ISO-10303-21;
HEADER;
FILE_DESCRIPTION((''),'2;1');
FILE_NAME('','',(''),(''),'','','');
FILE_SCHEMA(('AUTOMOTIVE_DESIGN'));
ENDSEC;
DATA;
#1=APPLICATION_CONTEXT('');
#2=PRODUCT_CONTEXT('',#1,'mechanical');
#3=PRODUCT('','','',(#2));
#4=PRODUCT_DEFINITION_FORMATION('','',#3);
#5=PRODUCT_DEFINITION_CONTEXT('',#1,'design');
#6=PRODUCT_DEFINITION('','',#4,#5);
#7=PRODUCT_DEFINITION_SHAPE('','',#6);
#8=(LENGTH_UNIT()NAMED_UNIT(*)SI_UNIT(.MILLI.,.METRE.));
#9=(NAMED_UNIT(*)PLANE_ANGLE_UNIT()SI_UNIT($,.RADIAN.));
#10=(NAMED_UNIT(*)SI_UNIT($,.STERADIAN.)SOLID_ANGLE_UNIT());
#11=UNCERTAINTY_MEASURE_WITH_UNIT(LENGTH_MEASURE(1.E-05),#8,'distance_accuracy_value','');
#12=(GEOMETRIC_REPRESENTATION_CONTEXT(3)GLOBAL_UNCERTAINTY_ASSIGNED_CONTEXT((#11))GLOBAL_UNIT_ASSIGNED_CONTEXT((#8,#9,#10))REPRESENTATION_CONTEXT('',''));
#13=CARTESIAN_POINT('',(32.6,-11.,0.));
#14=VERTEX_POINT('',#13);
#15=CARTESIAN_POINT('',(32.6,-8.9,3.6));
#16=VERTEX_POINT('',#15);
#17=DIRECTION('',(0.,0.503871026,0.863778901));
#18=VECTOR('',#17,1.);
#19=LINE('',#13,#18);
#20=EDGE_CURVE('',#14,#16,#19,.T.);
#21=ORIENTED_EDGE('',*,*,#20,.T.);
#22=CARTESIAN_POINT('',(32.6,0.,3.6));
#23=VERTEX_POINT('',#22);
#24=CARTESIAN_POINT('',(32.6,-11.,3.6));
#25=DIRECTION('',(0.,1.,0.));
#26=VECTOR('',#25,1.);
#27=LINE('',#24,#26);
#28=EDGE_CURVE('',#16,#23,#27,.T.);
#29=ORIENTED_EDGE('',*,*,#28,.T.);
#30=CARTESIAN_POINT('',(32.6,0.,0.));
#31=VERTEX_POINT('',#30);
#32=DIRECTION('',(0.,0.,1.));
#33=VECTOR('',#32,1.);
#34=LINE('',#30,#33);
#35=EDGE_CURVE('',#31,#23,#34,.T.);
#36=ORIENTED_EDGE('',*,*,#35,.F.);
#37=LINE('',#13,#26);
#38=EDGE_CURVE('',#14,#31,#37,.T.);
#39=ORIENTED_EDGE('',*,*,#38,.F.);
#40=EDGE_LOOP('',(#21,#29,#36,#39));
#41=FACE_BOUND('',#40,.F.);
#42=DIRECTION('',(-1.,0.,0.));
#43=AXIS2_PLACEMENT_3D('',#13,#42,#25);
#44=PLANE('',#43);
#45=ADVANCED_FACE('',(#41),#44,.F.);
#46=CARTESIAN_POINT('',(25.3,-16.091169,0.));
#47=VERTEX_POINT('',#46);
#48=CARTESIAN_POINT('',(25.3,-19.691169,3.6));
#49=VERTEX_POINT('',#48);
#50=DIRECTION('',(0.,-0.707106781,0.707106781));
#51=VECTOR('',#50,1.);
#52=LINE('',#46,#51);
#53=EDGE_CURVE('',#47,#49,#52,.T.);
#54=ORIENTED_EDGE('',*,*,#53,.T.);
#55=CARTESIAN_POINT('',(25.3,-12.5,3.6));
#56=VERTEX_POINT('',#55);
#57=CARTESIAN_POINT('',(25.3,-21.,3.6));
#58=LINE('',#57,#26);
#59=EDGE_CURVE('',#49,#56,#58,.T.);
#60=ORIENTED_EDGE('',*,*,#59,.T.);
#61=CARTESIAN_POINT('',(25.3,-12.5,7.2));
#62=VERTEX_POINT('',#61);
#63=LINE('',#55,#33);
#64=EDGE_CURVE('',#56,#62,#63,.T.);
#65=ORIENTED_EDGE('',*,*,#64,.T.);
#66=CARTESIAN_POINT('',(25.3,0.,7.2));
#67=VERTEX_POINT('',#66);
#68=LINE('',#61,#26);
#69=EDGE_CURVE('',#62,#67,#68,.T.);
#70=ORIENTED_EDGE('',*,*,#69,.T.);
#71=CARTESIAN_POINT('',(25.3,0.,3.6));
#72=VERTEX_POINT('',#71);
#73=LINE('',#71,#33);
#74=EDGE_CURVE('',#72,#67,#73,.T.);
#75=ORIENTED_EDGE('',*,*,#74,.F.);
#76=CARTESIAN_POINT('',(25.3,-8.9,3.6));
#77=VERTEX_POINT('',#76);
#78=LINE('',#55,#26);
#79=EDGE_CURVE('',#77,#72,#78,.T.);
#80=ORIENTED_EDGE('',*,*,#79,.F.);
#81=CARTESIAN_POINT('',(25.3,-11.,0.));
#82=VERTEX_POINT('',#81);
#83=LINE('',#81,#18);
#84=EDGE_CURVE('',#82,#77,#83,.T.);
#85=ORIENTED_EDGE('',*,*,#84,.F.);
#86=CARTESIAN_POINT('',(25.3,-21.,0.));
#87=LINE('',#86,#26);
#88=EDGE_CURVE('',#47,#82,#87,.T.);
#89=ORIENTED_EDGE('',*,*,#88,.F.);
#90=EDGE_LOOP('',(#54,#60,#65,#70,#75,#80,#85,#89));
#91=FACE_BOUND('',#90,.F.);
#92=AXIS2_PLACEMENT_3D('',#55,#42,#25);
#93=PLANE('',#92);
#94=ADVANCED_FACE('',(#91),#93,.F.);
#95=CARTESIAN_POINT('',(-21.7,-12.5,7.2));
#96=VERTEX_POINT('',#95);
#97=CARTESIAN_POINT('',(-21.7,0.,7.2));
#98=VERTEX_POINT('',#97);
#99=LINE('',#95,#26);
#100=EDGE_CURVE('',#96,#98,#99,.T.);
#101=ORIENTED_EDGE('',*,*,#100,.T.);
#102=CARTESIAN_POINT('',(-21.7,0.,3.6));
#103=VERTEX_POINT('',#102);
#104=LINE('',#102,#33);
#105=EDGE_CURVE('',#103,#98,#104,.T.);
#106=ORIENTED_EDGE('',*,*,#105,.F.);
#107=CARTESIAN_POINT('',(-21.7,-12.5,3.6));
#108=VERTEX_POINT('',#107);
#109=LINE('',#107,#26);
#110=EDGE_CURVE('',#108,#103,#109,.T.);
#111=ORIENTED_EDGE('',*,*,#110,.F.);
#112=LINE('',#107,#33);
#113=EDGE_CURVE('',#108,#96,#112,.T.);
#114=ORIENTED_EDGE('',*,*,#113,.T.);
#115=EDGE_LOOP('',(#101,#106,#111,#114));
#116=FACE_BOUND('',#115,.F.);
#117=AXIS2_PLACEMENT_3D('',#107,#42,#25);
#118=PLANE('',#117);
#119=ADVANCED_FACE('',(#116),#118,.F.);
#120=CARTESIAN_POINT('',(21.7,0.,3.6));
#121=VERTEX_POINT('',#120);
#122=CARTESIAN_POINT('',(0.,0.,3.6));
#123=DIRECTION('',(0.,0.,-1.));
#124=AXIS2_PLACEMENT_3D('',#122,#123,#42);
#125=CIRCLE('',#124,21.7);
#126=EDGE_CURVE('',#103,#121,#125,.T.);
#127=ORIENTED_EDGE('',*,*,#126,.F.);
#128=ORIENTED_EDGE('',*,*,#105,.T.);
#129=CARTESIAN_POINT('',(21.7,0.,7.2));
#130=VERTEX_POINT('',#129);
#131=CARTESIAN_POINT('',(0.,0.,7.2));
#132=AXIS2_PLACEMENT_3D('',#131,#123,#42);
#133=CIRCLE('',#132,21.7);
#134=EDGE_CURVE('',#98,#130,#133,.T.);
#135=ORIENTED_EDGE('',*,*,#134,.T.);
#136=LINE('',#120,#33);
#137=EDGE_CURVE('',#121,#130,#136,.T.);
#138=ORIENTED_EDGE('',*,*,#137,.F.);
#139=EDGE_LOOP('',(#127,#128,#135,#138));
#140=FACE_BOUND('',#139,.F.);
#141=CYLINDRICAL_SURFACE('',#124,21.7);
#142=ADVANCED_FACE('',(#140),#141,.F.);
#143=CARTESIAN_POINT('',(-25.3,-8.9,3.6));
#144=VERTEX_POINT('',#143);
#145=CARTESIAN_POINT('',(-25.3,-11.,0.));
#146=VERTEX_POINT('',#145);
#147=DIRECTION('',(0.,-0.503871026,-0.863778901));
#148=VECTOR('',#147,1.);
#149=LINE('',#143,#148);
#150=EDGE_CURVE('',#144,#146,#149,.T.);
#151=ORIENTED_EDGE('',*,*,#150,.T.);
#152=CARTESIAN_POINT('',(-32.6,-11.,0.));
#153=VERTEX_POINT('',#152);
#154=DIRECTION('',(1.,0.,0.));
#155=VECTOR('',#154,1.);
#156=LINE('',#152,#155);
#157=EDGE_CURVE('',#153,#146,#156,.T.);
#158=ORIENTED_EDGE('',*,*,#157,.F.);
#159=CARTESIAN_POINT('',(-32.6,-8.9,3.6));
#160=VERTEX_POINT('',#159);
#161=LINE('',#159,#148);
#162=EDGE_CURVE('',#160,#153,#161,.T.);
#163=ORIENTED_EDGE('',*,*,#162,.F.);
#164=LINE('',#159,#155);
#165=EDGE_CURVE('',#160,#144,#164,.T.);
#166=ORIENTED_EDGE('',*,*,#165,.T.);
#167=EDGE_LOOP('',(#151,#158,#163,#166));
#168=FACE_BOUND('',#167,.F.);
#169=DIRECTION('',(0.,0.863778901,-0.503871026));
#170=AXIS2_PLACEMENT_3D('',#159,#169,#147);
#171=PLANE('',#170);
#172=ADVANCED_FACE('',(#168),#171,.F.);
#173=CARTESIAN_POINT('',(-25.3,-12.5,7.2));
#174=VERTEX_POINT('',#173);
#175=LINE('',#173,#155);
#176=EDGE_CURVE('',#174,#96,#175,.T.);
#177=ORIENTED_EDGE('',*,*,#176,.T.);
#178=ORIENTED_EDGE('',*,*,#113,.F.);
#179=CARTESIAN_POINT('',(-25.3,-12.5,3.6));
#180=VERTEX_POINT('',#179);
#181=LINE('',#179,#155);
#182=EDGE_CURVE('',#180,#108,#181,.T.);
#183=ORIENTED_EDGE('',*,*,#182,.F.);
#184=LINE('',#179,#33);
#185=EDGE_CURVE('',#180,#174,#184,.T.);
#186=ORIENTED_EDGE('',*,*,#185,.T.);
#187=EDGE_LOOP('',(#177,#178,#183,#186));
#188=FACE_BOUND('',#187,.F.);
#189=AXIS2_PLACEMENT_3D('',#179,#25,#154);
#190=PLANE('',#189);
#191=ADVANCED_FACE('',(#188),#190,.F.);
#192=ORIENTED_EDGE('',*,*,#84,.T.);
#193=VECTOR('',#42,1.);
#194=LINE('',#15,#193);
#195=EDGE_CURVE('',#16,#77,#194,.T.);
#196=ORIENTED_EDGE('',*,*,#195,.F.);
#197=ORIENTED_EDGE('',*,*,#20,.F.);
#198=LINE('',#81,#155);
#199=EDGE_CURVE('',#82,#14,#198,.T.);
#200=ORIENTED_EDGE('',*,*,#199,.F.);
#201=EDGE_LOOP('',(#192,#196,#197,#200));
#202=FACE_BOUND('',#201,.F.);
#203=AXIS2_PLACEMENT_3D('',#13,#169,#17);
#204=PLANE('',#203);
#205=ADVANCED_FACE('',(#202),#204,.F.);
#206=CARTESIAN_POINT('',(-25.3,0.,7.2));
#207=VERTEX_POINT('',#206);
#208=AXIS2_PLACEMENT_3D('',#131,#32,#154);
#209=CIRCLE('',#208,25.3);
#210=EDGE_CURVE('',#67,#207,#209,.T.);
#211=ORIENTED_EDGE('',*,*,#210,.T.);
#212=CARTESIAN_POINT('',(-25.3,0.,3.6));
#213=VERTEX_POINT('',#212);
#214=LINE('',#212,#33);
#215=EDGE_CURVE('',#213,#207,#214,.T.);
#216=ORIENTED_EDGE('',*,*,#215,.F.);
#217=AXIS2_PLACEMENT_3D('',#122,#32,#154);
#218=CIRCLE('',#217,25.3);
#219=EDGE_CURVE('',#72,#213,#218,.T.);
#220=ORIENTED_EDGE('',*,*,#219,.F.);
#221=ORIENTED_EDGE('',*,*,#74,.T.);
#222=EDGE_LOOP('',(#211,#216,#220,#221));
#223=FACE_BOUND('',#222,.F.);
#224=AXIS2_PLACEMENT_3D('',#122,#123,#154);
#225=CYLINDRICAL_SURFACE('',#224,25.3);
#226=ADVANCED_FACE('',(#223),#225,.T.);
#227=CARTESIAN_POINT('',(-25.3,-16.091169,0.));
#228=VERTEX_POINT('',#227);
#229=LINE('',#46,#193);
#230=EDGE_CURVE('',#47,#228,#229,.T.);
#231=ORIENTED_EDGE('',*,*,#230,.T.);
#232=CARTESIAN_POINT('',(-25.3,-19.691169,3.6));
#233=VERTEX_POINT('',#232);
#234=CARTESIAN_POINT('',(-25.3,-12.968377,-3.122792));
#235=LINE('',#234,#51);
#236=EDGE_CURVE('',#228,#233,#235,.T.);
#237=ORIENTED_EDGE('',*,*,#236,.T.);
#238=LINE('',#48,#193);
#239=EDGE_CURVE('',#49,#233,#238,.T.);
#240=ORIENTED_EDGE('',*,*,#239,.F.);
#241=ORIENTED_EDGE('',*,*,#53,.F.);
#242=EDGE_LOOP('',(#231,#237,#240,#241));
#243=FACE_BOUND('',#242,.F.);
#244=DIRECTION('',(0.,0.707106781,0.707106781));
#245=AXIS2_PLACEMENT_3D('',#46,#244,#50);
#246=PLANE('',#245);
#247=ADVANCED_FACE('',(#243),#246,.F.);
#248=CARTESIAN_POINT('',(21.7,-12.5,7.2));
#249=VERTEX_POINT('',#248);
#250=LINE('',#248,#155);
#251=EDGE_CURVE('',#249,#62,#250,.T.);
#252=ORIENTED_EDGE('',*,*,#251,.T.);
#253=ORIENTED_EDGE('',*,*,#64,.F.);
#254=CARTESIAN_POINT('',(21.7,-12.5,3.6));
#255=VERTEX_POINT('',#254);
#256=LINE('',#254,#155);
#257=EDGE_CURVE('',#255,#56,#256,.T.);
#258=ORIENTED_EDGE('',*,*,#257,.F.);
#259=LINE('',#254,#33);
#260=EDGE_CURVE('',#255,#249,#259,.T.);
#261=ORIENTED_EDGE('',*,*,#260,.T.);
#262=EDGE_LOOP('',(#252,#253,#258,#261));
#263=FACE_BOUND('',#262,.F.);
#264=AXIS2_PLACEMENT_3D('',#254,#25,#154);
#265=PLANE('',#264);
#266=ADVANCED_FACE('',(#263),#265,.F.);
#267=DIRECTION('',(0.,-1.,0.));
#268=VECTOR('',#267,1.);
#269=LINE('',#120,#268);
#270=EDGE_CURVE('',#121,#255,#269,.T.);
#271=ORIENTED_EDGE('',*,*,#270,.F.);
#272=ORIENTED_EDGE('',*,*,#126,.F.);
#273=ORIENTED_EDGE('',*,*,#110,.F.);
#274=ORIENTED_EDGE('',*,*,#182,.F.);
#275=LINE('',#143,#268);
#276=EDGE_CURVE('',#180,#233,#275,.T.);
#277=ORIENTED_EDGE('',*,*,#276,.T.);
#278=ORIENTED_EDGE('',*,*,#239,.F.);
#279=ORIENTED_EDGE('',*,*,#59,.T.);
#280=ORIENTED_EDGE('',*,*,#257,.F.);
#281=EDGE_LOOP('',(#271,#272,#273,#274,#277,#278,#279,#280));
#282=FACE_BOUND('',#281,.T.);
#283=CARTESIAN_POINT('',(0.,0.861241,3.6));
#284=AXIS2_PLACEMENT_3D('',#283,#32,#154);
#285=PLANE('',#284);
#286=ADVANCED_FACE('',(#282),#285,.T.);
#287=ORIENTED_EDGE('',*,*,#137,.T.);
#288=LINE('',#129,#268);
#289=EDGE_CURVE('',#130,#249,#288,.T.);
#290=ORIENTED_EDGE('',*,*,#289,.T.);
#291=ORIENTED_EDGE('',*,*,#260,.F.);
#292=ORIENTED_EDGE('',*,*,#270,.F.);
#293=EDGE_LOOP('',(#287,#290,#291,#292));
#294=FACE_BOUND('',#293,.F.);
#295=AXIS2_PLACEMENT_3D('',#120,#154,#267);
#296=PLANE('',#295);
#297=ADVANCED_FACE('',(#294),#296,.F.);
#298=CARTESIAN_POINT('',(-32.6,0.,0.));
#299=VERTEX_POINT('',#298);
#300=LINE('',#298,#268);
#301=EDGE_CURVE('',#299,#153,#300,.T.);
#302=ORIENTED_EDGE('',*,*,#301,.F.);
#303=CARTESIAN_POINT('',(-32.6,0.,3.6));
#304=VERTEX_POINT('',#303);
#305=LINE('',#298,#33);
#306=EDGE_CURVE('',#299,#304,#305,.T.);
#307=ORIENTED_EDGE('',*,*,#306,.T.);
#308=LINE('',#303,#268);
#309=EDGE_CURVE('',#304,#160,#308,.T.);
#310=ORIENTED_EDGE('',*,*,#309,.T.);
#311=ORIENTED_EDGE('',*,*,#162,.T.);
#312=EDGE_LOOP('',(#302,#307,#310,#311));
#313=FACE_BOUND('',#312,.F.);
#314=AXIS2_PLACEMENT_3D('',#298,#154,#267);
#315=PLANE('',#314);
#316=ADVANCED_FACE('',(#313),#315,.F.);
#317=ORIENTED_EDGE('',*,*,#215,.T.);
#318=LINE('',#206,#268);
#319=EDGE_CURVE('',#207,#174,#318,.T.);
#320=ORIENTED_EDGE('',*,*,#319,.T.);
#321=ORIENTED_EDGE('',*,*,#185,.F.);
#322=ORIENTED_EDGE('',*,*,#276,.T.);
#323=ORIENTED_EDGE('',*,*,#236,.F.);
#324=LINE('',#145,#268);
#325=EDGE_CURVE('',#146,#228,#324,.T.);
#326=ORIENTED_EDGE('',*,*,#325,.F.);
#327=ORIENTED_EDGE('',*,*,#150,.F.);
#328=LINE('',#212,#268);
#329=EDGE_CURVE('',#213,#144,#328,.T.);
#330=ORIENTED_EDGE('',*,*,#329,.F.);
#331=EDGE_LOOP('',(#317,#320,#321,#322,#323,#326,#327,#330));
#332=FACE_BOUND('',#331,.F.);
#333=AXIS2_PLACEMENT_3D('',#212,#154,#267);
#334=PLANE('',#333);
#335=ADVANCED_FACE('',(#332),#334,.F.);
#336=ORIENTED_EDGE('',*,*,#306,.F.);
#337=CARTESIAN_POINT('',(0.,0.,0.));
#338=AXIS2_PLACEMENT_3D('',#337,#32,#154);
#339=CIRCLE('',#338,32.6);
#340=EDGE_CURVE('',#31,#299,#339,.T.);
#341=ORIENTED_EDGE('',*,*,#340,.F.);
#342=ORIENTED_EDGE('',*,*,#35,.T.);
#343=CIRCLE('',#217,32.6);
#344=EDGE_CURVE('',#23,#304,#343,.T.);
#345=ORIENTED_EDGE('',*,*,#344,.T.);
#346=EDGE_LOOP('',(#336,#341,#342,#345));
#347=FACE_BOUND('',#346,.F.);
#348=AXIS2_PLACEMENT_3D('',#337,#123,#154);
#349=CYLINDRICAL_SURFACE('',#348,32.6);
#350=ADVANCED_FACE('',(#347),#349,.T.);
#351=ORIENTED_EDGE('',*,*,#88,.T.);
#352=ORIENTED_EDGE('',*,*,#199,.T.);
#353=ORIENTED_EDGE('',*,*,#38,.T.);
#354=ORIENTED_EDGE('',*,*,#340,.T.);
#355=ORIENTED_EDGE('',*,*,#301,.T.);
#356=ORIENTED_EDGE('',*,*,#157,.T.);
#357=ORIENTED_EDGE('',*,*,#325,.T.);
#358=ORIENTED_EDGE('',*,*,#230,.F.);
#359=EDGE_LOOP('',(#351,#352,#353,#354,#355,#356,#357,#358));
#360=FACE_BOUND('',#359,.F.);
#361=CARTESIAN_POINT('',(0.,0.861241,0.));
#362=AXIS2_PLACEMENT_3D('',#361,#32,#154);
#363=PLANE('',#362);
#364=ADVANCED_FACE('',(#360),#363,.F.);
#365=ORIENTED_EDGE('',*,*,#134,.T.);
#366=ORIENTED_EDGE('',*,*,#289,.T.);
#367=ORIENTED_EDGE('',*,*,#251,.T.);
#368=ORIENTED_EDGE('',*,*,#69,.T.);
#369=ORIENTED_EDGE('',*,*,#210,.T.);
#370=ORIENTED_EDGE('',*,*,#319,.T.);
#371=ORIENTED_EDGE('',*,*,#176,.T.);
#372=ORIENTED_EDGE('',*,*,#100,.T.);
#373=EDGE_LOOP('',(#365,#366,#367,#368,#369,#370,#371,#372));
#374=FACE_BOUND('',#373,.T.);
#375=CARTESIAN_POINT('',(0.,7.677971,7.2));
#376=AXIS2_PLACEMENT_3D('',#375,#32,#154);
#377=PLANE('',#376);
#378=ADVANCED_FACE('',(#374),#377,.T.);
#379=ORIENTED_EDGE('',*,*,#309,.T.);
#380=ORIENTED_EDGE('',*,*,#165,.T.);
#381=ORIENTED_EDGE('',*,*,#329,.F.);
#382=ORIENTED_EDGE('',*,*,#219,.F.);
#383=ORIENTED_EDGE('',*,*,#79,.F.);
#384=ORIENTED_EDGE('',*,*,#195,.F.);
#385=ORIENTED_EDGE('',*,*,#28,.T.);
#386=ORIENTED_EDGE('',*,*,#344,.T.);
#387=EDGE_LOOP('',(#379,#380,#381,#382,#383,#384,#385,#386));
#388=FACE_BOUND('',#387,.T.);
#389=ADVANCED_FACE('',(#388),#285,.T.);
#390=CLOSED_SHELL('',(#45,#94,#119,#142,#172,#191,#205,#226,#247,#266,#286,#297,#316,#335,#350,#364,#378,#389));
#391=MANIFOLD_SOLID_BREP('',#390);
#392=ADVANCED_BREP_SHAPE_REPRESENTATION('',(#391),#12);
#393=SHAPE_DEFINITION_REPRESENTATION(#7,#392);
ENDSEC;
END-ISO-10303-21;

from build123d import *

# Parameters (mm, degrees)
F1_DEPTH = 3.6
F3_DEPTH = 7.3
F5_DEPTH = 7.3
F7_DEPTH = 3.6
F9_DEPTH = 57.901


with BuildPart() as f1:
    # F0 (on Top) → F1 (new body)
    with BuildSketch(Plane.XY):
        with BuildLine():
            Line((-32.6, 0), (-32.6, -11))
            Line((-32.6, -11), (-25.3, -11))
            Line((-25.3, -11), (-25.3, -21))
            Line((-25.3, -21), (25.3, -21))
            Line((25.3, -21), (25.3, -11))
            Line((25.3, -11), (32.6, -11))
            Line((32.6, -11), (32.6, 0))
            ThreePointArc((32.6, 0), (0, 32.6), (-32.6, 0))
        make_face()
    extrude(amount=F1_DEPTH)

    # F2 (on face) → F3 (cut, through all)
    with BuildSketch(Plane.YZ.offset(32.6)):
        Polygon((-8.9, 3.6), (-11, 3.6), (-11, 0), align=None)
    extrude(amount=-F3_DEPTH, mode=Mode.SUBTRACT)

    # F4 (on face) → F5 (cut, through all)
    with BuildSketch(Plane(origin=(-32.6, 0, 0), x_dir=(0, -1, 0), z_dir=(-1, 0, 0))):
        Polygon((11, 0), (11, 3.6), (8.9, 3.6), align=None)
    extrude(amount=-F5_DEPTH, mode=Mode.SUBTRACT)

    # F6 (on face) → F7 (join)
    with BuildSketch(Plane.XY.offset(3.6)):
        with BuildLine():
            Line((-25.3, 0), (-25.3, -12.5))
            Line((-25.3, -12.5), (-21.7, -12.5))
            Line((-21.7, -12.5), (-21.7, 0))
            ThreePointArc((-21.7, 0), (0, 21.7), (21.7, 0))
            Line((21.7, 0), (21.7, -12.5))
            Line((21.7, -12.5), (25.3, -12.5))
            Line((25.3, -12.5), (25.3, 0))
            ThreePointArc((25.3, 0), (0, 25.3), (-25.3, 0))
        make_face()
    extrude(amount=F7_DEPTH)

    # F8 (on face) → F9 (cut, through all)
    with BuildSketch(Plane.YZ.offset(25.3)):
        Polygon((-19.691169, 3.6), (-21, 3.6), (-21, 0), (-16.091169, 0), align=None)
    extrude(amount=-F9_DEPTH, mode=Mode.SUBTRACT)


solid = f1.part
